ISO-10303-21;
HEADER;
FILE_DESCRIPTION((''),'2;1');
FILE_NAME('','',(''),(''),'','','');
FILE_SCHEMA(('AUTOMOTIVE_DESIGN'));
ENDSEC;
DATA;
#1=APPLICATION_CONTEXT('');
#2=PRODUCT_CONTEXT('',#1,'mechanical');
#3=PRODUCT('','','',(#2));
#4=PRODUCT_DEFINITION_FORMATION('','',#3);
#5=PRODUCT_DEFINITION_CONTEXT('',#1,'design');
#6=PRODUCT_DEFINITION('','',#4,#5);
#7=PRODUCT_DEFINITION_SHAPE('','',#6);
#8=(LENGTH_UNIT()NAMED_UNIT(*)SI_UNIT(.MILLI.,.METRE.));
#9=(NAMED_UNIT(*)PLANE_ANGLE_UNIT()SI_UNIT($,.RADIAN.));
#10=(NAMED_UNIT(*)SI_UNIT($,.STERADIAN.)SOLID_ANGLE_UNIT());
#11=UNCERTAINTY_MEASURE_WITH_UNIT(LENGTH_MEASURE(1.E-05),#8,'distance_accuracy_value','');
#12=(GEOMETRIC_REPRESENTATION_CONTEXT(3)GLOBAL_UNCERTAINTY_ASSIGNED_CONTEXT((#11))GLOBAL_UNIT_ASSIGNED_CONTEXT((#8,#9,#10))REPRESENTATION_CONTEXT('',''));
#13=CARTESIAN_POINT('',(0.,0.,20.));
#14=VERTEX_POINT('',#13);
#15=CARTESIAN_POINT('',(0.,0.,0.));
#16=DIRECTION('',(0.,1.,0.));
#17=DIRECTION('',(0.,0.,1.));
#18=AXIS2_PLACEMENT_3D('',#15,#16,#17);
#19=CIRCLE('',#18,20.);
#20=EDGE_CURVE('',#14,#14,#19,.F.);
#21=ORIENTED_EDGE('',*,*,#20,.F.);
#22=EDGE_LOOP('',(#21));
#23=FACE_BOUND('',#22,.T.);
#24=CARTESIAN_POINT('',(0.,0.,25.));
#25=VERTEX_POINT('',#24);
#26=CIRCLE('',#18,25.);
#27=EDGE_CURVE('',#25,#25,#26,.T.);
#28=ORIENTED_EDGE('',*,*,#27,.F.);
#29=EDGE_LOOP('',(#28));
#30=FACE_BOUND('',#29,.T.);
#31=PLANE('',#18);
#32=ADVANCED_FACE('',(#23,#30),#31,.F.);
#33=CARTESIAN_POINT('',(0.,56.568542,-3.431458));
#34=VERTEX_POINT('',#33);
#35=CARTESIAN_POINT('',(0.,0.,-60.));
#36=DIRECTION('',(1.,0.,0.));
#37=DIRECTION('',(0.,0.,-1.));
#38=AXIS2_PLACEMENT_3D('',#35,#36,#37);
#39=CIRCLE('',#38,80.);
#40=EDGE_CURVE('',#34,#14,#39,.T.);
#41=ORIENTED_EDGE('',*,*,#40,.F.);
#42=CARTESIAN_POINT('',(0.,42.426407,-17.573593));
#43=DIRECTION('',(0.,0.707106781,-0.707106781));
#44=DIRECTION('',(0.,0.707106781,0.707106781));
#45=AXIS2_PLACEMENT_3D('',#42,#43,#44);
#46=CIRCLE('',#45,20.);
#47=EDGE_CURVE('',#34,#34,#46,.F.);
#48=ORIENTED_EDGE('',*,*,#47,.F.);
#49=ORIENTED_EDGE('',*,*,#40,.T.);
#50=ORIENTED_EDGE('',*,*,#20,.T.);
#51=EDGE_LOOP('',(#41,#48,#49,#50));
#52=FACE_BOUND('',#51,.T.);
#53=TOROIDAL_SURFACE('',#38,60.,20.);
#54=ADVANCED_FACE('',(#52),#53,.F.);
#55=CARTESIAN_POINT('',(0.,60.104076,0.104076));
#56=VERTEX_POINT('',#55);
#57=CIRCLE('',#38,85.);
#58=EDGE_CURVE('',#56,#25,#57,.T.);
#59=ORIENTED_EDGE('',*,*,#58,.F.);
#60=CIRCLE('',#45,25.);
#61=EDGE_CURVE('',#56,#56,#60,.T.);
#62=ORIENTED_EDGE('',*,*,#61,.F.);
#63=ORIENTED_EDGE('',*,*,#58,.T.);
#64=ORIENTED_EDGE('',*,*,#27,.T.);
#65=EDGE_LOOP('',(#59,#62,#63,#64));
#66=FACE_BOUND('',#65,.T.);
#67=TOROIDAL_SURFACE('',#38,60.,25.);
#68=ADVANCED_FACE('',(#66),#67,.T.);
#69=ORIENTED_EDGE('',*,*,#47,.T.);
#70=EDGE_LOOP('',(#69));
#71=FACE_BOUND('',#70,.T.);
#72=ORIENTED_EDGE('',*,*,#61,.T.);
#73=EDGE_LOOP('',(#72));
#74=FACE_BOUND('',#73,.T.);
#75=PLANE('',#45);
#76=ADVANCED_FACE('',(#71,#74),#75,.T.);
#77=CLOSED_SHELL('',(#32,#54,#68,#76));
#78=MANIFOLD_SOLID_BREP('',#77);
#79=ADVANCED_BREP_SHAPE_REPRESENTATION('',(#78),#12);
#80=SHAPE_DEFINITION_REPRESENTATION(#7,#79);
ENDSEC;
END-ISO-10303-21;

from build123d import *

# Parameters (mm, degrees)
SKIZZE2_R   = 25
SKIZZE2_R_2 = 20


with BuildPart() as part:
    # Austragung1: sweep along a path in Skizze1
    with BuildLine(Plane(origin=(0, 0, 0), x_dir=(0, 0, -1), z_dir=(1, 0, 0))) as austragung1_path:
        ThreePointArc((17.573593129, 42.426406871), (4.567228049, 22.961005942), (0, 0))
    # Skizze2 → Austragung1 (sweep)
    with BuildSketch(Plane(origin=(0, 0, 0), x_dir=(1, 0, 0), z_dir=(0, 1, 0))):
        Circle(SKIZZE2_R)
        Circle(SKIZZE2_R_2, mode=Mode.SUBTRACT)
    sweep(path=austragung1_path.line)


solid = part.part
